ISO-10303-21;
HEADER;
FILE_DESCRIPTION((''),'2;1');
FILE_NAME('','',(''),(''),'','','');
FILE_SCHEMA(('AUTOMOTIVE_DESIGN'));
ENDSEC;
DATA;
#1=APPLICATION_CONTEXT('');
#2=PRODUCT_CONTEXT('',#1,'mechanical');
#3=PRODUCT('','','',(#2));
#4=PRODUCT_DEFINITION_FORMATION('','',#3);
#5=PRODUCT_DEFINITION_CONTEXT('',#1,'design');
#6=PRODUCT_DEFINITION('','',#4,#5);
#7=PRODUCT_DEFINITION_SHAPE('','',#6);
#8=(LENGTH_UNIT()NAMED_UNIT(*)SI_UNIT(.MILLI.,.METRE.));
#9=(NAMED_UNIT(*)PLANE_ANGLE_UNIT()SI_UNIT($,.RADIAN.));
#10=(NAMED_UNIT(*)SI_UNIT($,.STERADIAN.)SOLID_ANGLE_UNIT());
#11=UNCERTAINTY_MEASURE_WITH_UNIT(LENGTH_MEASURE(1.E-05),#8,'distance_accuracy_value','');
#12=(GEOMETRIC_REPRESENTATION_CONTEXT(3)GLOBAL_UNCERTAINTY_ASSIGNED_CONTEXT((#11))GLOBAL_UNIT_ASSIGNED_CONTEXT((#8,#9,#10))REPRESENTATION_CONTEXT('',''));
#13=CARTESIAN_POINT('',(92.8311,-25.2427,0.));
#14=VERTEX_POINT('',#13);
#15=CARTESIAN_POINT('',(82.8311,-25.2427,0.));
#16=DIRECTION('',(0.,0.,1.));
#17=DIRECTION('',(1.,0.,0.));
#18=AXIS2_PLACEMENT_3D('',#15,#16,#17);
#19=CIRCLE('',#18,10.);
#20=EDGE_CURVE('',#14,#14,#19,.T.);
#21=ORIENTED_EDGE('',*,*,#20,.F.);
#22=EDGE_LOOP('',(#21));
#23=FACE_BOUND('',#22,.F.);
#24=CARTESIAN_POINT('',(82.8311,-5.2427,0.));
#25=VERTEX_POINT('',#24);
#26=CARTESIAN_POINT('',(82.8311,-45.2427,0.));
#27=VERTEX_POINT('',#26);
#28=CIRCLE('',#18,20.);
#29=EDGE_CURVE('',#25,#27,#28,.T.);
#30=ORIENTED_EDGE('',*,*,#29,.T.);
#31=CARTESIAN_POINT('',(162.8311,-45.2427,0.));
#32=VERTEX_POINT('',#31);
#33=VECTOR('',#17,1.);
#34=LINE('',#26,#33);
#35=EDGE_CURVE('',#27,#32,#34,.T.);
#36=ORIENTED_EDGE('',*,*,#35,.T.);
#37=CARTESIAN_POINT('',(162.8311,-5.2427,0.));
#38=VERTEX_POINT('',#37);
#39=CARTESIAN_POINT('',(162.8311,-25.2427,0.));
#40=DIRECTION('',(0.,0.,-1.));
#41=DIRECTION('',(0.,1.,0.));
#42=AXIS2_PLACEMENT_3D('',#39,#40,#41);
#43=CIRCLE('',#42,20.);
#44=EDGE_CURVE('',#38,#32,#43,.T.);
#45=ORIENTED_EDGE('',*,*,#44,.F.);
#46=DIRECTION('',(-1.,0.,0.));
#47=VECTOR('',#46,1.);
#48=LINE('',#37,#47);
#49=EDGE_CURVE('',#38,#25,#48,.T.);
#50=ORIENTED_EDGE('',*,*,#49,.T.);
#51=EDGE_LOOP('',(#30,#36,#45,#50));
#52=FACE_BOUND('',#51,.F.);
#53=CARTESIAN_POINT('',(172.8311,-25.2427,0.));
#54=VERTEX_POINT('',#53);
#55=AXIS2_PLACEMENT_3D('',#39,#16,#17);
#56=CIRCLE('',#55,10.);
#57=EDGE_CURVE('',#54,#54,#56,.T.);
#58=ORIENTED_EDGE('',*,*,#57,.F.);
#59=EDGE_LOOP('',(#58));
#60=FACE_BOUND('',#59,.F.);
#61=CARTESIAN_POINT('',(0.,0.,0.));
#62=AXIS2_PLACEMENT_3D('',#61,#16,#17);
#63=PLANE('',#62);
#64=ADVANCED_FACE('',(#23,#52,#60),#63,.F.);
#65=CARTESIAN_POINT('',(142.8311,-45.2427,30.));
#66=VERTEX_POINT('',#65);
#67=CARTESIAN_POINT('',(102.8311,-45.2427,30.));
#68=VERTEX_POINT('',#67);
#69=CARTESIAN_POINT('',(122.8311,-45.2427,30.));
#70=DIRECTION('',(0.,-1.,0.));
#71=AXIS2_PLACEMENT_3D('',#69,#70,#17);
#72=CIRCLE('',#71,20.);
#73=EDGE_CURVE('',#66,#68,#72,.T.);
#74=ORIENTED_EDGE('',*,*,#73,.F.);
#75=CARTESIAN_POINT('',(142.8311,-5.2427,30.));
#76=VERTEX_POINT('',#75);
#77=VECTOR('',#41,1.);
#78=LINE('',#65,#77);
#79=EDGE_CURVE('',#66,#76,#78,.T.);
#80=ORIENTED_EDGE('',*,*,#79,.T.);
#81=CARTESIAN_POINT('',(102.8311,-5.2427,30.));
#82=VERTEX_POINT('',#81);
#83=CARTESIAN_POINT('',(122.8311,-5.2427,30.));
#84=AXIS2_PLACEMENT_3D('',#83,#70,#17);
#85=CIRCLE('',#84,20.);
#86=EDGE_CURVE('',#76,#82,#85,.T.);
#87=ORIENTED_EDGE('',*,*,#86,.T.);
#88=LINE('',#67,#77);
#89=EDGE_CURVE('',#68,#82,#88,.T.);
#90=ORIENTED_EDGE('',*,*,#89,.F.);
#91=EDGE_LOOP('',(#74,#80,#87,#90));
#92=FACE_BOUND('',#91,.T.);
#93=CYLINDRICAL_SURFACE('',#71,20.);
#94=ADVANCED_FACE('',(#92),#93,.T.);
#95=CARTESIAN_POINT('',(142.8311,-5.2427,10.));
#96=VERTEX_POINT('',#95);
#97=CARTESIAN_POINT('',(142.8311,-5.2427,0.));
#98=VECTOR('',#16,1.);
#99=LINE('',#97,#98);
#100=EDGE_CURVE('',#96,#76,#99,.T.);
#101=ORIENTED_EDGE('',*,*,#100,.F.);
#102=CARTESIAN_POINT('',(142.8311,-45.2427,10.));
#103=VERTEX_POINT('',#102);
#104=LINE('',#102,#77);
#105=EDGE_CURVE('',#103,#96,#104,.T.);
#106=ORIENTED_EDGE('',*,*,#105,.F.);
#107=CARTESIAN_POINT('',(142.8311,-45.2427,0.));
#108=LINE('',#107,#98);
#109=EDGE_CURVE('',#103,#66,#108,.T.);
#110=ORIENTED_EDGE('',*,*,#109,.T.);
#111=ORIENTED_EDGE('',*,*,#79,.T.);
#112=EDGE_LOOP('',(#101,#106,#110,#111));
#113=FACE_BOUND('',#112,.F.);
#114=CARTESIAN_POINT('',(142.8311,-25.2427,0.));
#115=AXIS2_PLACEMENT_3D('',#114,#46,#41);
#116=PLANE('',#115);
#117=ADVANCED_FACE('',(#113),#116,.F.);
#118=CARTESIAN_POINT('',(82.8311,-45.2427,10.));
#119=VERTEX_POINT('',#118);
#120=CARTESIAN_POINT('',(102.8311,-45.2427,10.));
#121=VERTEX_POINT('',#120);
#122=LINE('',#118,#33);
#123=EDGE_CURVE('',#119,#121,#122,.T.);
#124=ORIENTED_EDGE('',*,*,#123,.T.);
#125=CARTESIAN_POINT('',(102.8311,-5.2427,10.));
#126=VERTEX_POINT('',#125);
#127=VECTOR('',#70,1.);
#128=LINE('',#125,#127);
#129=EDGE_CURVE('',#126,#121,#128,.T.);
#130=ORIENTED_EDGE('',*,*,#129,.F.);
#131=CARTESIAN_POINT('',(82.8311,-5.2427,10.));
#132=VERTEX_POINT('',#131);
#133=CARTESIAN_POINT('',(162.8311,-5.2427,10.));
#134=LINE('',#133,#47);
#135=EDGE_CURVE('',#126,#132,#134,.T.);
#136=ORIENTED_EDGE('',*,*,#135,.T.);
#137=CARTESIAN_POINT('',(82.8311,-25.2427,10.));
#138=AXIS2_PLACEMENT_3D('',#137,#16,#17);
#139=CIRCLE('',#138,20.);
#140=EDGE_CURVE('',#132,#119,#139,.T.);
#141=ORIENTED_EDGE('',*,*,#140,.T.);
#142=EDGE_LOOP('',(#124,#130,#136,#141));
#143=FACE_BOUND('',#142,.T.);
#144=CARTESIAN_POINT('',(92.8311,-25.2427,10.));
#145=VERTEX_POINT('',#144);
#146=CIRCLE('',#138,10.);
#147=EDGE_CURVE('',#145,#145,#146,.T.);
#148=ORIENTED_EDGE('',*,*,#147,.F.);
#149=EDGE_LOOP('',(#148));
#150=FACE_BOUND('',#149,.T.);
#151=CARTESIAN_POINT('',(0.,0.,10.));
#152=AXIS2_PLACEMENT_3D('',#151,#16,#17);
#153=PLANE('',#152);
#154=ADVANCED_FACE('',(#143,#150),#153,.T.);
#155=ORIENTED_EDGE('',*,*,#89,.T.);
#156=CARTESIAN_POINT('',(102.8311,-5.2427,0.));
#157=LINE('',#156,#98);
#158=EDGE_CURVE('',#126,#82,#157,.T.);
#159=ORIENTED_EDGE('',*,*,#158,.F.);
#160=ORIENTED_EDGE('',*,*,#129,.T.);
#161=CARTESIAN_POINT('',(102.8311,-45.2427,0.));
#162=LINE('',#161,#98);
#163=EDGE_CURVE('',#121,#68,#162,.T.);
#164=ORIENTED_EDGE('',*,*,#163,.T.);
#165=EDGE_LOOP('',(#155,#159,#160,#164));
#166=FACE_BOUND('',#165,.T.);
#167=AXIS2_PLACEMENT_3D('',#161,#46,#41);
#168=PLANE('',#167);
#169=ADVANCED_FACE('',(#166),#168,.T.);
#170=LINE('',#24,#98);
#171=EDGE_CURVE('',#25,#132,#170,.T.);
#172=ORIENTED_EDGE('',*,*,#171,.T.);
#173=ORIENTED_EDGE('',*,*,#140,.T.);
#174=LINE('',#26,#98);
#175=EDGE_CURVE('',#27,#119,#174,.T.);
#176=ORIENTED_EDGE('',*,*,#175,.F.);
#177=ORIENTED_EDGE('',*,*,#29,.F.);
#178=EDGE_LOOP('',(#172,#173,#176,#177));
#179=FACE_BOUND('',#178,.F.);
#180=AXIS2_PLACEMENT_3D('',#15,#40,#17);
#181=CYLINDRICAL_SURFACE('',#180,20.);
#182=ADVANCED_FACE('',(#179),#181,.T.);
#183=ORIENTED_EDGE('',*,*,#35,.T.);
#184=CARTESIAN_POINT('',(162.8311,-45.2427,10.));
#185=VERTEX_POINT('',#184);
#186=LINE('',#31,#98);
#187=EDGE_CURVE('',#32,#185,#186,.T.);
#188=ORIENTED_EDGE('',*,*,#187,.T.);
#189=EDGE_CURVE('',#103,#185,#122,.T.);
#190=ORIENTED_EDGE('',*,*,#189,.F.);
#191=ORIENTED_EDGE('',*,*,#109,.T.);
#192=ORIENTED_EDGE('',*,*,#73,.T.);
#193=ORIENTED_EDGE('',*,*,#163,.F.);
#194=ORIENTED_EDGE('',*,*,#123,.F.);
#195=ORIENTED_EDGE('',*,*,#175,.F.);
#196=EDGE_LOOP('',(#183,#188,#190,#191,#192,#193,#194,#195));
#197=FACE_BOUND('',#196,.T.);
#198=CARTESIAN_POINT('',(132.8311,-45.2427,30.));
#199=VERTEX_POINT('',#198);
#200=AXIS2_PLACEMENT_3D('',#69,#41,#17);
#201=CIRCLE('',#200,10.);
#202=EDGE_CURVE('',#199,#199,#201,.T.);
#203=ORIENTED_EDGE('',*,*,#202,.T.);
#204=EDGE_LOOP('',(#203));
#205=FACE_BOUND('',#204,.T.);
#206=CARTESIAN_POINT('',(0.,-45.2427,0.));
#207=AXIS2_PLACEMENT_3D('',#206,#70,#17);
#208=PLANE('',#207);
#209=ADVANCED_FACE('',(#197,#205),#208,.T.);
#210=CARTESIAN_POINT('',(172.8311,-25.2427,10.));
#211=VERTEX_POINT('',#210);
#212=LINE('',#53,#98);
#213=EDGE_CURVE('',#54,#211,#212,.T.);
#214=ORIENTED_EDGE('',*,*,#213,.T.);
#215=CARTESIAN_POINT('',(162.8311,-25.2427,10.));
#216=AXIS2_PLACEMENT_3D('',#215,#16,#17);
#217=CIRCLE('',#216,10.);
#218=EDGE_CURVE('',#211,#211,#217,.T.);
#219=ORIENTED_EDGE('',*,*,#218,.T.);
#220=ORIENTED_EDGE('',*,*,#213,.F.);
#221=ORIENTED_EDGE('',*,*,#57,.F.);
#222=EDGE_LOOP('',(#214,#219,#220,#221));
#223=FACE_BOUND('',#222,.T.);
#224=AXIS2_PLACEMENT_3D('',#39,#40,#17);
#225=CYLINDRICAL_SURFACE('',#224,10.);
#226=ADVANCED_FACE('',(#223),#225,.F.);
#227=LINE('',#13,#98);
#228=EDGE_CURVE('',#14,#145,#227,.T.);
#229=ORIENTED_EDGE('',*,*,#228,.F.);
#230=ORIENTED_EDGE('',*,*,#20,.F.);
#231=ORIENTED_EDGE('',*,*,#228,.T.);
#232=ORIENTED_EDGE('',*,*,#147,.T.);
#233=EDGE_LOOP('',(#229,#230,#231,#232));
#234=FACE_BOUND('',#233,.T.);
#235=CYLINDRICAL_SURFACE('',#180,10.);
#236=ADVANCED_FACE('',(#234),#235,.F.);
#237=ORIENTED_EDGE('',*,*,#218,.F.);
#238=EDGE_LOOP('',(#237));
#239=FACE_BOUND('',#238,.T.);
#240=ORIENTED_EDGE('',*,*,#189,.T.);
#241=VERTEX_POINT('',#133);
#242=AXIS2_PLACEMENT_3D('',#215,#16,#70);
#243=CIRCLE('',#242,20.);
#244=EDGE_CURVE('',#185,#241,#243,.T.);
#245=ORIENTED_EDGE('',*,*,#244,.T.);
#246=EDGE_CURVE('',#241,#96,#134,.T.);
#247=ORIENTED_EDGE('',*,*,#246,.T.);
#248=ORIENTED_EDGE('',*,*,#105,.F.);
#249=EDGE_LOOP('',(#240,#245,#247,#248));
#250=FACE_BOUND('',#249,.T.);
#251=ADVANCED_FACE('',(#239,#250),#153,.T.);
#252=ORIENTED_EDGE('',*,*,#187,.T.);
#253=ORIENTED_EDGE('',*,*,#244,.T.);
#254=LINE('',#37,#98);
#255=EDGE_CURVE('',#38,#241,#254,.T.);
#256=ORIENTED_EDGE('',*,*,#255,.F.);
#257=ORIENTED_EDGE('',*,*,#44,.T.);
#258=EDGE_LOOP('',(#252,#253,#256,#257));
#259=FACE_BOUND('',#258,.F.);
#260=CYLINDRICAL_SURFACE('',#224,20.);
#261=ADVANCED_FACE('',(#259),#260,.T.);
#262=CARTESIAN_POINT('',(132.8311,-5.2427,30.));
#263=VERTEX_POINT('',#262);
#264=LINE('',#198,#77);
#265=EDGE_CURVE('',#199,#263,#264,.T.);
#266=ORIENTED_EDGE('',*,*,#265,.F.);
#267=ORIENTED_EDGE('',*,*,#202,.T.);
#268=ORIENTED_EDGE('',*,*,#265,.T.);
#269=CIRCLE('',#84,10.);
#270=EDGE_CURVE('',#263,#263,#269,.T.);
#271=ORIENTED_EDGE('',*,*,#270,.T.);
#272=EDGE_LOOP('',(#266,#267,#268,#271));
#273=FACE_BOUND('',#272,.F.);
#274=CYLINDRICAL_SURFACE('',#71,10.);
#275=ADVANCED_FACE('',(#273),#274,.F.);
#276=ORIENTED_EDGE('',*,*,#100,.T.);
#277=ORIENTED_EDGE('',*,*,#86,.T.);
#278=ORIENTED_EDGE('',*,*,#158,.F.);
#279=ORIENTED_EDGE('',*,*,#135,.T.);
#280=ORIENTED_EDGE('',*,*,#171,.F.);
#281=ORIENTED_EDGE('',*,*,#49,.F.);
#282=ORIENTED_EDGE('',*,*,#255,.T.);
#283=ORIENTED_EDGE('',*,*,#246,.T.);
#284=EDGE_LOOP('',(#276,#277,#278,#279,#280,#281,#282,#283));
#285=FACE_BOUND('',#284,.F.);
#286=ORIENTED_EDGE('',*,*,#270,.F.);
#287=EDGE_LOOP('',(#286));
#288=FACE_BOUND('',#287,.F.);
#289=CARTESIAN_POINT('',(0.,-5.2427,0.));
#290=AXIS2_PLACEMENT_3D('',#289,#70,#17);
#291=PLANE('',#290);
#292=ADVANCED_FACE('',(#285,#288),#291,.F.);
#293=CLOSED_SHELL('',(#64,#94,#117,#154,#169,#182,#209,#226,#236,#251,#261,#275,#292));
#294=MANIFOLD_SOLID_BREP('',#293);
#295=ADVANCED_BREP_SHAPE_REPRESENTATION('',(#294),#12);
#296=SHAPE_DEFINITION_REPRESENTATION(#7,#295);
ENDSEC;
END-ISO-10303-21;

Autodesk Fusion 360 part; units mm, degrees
sketch "base" plane through (0, 0, 0) normal (0, 0, 1) x (1, 0, 0)
  line L0 (82.8311, -45.2427) -> (162.8311, -45.2427)
  line L1 (162.8311, -5.2427) -> (82.8311, -5.2427)
  line L2 (82.8311, -45.2427) -> (102.8311, -45.2427)
  line L3 (162.8311, -45.2427) -> (142.8311, -45.2427)
  circle A0 centre (82.8311, -25.2427) radius 10
  circle A1 centre (82.8311, -25.2427) radius 20
  line L4 (122.8311, -5.2427) -> (122.8311, -45.2427) construction
  circle A2 centre (162.8311, -25.2427) radius 20
  circle A3 centre (162.8311, -25.2427) radius 10
  line L5 (102.8311, -45.2427) -> (102.8311, -5.2427)
  line L6 (142.8311, -45.2427) -> (142.8311, -5.2427)
  dimension "d1" = 80
  dimension "d2" = 20
  dimension "d3" = 20
  dimension "d4" = 20
  dimension "d5" = 40
extrude "Extrude1" add sketch "base" along normal blind 30 contours L0 L1 L5 L6
extrude "Extrude2" add sketch "base" along normal blind 10 contours L0 L2 A1 L5 | A1 | L1 A1 L5 | L0 L3 A2 L6 | A2 | L1 A2 L6
sketch "hole" plane through (0, -45.2427, 0) normal (0, -1, 0) x (1, 0, 0)
  line L0 (82.8311, 0) -> (162.8311, 0)
  line L1 (162.8311, 0) -> (162.8311, 10)
  line L2 (162.8311, 10) -> (142.8311, 10)
  line L3 (142.8311, 10) -> (142.8311, 30)
  line L4 (142.8311, 30) -> (102.8311, 30)
  line L5 (102.8311, 30) -> (102.8311, 10)
  line L6 (102.8311, 10) -> (82.8311, 10)
  line L7 (82.8311, 10) -> (82.8311, 0)
  circle A0 centre (122.8311, 30) radius 10
  circle A1 centre (122.8311, 30) radius 20
  dimension "d10" = 20
  dimension "d11" = 40
extrude "Extrude3" add sketch "hole" against normal blind 40 contours L4 A0 A1 picked at (111.3439, 42.0139)
extrude "Extrude4" cut sketch "hole" against normal blind 40 contours L4 A0 picked at (121.8402, 23.4262)
